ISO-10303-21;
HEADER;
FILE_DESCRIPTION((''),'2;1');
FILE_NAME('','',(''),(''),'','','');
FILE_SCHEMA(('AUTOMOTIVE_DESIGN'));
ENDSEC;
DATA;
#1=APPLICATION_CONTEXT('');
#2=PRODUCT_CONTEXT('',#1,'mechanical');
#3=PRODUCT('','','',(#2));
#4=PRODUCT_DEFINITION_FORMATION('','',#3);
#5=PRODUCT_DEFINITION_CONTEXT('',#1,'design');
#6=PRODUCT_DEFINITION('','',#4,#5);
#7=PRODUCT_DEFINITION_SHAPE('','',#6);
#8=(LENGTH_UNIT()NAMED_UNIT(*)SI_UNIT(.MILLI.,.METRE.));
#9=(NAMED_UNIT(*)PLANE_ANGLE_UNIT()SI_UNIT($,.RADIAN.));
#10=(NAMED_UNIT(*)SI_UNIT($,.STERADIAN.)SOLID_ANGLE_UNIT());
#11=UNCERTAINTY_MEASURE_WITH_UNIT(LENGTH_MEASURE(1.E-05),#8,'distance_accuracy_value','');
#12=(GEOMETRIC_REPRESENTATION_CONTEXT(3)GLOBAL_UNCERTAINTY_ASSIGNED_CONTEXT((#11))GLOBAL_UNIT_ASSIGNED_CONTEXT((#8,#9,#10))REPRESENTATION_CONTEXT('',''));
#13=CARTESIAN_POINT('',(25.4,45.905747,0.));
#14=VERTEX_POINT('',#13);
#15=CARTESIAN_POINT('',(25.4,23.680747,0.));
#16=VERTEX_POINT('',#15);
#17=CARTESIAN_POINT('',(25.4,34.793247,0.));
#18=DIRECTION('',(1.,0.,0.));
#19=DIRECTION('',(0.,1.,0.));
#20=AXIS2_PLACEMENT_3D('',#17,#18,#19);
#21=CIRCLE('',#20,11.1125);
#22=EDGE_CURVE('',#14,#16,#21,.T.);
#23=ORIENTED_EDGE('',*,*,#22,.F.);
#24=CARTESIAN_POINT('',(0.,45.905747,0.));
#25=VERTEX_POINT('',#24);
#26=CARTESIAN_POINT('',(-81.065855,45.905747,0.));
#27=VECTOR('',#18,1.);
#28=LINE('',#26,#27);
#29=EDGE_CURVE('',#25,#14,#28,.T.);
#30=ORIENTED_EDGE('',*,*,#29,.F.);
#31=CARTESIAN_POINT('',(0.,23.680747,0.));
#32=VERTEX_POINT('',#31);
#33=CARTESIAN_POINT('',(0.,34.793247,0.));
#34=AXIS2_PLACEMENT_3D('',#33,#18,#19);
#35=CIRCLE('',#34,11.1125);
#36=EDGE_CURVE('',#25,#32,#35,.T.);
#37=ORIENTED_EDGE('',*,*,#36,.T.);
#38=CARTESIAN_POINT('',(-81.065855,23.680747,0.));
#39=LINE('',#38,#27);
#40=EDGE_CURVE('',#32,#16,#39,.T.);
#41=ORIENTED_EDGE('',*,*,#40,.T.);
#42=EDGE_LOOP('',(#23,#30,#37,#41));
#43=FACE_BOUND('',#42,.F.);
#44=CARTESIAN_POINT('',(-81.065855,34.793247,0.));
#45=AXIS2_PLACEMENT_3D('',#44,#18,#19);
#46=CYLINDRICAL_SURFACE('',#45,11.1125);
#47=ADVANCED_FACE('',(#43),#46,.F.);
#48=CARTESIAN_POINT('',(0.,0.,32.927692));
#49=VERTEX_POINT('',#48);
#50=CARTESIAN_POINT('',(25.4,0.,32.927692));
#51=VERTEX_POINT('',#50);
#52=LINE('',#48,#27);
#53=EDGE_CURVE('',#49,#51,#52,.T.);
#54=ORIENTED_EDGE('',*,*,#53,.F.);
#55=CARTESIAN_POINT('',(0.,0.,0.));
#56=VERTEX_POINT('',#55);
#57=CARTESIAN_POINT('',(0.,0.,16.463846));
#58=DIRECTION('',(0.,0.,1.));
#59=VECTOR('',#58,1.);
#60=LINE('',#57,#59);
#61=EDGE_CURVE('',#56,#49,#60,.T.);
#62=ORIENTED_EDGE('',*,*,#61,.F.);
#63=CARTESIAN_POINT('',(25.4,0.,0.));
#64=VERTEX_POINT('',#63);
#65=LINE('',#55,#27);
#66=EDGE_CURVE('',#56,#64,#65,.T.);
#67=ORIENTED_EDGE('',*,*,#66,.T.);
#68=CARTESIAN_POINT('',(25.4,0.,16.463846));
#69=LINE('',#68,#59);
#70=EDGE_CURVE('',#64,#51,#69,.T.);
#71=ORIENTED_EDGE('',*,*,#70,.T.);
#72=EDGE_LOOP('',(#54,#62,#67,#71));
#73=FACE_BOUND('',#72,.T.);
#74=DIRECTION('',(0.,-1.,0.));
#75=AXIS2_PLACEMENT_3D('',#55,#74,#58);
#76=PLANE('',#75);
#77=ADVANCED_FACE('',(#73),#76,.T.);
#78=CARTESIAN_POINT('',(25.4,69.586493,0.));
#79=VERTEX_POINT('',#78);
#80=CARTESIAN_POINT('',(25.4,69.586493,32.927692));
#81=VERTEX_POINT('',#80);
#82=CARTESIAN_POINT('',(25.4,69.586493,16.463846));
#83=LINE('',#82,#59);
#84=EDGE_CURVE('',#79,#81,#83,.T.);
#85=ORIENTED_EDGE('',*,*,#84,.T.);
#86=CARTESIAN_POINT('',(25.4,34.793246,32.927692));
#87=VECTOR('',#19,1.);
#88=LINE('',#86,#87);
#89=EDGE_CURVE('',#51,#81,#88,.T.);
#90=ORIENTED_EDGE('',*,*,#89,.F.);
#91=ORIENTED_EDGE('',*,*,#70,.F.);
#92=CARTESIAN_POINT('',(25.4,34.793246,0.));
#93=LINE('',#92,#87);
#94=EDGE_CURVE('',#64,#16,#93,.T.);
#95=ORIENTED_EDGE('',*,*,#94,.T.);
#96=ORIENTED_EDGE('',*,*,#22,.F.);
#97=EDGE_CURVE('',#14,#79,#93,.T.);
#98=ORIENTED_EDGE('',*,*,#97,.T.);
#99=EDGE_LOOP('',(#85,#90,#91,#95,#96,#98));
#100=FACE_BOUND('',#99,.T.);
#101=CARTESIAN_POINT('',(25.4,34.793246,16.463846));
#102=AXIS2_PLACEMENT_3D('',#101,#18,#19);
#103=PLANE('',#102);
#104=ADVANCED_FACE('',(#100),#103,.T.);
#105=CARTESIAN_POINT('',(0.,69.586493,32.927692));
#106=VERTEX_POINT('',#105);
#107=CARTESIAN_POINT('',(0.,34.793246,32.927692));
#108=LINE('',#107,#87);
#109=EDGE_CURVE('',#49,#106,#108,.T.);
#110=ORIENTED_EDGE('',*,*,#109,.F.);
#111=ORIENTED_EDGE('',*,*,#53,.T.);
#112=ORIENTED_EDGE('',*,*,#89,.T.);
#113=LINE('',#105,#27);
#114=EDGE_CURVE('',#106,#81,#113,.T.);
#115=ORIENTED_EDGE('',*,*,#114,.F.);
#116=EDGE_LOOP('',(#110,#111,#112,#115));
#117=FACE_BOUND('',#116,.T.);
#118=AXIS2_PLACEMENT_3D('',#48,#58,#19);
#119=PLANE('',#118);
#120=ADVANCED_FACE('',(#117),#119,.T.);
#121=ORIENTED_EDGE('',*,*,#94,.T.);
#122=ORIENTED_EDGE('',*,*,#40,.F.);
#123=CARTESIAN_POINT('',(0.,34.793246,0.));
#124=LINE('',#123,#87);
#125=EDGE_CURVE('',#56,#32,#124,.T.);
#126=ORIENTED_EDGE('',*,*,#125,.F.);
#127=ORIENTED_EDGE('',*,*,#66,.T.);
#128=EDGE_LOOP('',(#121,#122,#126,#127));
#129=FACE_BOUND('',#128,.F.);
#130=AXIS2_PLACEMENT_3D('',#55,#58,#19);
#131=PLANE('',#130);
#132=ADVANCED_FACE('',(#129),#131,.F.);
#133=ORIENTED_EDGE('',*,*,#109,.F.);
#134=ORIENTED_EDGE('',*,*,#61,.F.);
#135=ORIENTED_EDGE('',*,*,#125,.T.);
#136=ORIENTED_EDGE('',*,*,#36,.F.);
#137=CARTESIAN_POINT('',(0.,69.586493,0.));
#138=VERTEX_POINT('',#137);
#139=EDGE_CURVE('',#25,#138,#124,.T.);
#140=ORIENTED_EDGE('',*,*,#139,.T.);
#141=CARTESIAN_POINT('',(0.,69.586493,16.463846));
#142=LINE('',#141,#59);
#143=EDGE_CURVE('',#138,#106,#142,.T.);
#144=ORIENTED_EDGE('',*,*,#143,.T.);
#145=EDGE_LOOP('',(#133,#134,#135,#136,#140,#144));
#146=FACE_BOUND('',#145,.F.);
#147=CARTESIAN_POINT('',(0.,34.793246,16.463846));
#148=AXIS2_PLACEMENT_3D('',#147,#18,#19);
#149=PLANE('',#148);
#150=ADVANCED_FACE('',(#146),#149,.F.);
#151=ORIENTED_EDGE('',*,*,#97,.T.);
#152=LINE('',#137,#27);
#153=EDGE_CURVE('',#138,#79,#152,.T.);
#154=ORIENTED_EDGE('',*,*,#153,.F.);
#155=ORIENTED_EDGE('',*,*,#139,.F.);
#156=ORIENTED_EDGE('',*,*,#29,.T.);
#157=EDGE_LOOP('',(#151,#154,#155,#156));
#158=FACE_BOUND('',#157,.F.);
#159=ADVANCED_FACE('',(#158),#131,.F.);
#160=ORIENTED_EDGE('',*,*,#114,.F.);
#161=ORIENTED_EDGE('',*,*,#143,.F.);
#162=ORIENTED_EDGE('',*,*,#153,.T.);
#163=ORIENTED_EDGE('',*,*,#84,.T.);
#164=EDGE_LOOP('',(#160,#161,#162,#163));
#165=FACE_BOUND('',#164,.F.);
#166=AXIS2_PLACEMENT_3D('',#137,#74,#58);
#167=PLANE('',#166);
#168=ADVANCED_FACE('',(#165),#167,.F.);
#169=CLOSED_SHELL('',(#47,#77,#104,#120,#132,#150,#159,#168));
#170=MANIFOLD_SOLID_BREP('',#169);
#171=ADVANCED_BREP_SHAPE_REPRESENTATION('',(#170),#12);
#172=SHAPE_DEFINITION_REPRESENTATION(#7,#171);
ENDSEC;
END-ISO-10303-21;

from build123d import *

# Parameters (mm, degrees)
F0_W     = 69.586493
F0_H     = 32.927692
F1_DEPTH = 25.4
F3_D     = 22.225


with BuildPart() as f1:
    # F0 (on Right) → F1 (new body)
    with BuildSketch(Plane.YZ):
        with Locations((34.793246, 16.463846)):
            Rectangle(F0_W, F0_H)
    extrude(amount=F1_DEPTH)

    # F3 (through all)
    with Locations(Plane(origin=(0, 0, 0), x_dir=(0, -1, 0), z_dir=(-1, 0, 0))):
        with Locations((-34.793247, 0)):
            Hole(F3_D / 2)


solid = f1.part
